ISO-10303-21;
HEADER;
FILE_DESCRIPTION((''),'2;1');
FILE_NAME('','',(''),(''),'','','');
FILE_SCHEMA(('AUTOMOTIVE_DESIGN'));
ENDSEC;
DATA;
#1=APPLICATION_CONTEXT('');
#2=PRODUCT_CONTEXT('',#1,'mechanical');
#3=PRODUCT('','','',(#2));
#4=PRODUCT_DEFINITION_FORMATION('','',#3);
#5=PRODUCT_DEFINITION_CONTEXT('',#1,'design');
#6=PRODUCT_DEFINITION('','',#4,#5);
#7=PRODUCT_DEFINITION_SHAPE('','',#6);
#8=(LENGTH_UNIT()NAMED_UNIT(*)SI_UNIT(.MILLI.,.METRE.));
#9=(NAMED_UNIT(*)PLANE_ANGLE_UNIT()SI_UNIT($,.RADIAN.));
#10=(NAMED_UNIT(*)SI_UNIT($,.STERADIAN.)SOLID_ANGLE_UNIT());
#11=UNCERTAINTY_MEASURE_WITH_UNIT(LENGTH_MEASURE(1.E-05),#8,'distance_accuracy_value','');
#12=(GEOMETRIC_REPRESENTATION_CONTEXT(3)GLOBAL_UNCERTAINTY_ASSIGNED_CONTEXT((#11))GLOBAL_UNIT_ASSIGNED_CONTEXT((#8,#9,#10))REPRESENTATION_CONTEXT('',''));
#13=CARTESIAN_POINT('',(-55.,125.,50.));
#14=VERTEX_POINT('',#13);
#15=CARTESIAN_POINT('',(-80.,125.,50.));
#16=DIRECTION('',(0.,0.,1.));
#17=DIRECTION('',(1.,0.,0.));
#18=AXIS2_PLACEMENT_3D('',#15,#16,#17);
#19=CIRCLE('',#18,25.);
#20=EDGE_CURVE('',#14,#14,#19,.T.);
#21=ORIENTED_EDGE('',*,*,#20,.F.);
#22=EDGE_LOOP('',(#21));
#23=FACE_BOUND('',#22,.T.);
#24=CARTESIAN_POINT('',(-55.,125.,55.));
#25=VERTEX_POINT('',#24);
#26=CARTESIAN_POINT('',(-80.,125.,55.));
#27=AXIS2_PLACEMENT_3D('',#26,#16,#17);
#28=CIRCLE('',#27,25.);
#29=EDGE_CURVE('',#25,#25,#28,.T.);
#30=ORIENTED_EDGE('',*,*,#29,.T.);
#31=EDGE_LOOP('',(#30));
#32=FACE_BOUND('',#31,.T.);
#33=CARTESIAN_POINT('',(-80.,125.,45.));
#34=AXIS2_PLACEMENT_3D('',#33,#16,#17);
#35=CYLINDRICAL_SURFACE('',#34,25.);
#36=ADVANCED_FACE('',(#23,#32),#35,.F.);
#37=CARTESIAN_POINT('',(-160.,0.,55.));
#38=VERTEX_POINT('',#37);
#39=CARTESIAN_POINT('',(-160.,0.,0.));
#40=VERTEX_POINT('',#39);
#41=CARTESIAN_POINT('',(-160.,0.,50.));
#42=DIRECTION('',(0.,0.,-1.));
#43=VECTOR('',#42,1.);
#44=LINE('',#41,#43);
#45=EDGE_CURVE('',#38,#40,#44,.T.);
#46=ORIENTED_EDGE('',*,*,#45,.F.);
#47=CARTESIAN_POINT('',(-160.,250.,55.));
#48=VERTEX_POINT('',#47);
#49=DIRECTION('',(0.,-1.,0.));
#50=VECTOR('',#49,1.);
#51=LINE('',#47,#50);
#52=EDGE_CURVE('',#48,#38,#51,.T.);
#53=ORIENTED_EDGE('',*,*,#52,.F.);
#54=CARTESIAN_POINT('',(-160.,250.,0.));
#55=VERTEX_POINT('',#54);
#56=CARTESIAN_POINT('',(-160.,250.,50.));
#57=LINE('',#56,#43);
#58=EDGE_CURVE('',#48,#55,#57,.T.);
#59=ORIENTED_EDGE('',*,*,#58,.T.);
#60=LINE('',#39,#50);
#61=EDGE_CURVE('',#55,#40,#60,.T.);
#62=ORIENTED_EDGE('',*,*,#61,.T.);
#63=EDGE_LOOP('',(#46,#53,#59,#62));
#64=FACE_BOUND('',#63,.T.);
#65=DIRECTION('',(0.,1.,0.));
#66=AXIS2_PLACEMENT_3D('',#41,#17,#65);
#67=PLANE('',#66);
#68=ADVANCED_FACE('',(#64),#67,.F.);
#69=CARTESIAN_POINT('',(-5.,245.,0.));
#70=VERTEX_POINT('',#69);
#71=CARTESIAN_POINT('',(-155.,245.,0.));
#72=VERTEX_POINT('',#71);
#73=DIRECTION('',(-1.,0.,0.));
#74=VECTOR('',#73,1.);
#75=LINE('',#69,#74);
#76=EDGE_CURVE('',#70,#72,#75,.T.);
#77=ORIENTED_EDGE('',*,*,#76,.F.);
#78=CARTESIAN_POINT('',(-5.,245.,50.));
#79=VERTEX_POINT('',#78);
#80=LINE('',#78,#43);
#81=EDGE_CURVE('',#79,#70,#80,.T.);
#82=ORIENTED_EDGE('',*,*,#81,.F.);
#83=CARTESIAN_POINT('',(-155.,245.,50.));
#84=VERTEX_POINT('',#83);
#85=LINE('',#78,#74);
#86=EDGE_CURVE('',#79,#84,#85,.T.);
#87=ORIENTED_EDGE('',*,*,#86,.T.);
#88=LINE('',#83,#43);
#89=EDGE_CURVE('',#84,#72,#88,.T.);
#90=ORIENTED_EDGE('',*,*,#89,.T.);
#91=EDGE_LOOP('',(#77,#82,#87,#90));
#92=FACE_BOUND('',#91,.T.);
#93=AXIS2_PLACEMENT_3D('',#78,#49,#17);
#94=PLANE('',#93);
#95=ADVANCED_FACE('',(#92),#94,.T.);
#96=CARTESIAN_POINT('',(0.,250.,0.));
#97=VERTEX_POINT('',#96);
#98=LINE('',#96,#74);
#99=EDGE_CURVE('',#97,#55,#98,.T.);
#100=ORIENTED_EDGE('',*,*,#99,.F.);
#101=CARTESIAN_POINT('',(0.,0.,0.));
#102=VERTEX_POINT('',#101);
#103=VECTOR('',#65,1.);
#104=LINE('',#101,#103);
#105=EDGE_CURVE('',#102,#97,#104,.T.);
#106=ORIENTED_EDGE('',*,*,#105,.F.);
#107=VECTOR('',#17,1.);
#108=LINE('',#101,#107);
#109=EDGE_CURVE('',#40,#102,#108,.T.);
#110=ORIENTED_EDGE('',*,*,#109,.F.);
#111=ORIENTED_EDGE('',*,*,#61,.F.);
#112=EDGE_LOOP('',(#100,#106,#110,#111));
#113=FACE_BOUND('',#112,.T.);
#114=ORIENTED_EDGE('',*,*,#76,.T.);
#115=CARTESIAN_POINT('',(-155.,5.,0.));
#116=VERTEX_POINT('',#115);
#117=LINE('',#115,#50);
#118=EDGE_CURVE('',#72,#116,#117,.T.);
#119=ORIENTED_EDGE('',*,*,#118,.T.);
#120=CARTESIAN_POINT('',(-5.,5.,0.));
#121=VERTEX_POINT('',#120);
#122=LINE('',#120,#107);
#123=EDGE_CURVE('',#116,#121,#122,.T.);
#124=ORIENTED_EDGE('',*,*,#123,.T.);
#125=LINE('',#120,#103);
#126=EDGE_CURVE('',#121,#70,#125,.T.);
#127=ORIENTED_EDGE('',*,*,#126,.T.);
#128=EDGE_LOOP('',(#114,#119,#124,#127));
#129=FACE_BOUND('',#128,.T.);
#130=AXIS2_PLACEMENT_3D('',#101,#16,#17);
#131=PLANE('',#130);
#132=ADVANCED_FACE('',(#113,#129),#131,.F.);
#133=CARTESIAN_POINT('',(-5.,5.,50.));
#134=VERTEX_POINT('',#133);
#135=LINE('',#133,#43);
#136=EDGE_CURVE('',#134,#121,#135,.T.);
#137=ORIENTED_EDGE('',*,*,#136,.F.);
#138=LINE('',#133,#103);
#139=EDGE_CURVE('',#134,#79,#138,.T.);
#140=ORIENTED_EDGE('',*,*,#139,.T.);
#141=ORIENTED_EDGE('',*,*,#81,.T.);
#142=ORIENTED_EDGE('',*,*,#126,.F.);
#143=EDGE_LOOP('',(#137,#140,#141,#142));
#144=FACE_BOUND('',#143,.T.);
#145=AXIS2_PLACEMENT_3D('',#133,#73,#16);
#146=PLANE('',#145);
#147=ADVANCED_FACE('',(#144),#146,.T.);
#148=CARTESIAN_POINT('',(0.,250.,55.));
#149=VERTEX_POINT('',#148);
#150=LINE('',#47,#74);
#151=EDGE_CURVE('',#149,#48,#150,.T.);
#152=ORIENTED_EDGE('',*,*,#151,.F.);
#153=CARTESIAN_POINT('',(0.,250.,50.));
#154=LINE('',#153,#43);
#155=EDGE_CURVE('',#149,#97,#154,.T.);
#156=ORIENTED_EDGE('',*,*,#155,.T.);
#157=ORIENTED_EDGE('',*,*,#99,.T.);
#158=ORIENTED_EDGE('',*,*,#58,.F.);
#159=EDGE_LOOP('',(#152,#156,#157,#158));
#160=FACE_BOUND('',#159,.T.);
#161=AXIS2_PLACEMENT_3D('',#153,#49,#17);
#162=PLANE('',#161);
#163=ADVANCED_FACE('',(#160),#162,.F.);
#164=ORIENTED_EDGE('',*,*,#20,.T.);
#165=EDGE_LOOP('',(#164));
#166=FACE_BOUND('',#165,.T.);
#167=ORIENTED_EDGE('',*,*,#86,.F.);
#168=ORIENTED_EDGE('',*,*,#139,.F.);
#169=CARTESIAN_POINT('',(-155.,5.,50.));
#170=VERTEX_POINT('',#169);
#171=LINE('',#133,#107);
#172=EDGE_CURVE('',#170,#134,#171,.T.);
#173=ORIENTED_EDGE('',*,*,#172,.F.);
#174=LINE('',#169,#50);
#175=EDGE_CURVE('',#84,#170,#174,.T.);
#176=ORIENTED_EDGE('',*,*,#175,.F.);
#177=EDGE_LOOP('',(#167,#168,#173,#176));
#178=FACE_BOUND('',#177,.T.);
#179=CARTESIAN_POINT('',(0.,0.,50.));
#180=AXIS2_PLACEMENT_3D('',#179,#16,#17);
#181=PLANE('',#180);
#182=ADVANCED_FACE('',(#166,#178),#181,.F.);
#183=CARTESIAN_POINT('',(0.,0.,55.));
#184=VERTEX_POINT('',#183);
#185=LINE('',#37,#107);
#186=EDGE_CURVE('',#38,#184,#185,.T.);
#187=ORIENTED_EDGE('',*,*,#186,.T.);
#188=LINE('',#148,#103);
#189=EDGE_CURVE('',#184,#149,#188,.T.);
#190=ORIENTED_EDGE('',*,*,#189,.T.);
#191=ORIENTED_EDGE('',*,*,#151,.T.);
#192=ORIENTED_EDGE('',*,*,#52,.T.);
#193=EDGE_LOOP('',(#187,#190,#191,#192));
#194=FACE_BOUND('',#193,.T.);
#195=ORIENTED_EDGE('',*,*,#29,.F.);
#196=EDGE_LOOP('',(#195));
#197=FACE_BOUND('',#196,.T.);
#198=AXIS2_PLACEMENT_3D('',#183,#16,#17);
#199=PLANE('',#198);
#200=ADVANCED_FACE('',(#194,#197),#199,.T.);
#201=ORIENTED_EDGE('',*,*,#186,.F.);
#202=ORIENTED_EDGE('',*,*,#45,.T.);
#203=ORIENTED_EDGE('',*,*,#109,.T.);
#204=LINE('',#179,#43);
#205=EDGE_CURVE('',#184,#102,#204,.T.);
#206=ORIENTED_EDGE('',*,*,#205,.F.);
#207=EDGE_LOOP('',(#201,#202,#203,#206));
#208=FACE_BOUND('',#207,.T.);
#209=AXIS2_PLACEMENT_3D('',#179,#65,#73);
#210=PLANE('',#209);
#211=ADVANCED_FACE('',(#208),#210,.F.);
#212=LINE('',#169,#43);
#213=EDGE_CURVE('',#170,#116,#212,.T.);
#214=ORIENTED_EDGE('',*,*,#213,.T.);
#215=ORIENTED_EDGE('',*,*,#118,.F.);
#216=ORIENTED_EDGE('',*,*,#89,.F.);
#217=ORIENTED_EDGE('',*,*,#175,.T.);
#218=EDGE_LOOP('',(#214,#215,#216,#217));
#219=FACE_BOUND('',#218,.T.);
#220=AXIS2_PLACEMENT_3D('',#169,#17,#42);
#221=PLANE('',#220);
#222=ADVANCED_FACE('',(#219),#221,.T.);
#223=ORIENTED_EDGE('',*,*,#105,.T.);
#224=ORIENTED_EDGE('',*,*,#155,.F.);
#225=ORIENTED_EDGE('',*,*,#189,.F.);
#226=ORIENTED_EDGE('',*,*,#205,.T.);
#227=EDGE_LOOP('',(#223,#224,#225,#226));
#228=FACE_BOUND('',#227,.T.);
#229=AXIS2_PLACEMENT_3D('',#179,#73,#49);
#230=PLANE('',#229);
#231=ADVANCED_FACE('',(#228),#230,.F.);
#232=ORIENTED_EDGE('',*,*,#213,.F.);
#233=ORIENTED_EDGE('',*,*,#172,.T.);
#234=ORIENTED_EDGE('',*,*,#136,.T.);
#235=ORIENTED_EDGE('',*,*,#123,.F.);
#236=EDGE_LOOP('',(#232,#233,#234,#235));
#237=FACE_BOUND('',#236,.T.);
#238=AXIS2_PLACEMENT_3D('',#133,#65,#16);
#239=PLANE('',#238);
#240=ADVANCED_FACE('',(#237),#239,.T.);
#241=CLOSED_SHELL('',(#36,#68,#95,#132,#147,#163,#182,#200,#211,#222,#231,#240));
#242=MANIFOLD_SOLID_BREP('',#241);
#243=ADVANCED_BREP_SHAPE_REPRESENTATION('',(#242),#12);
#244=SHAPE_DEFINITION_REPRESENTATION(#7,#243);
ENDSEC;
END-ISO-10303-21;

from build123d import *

# Parameters (mm, degrees)
ESQUISSE1_W             = 160
ESQUISSE1_H             = 250
ESQUISSE1_W_2           = 150
ESQUISSE1_H_2           = 240
BOSS_EXTRU_1_DEPTH      = 50
ESQUISSE2_W             = 160
ESQUISSE2_H             = 250
BOSS_EXTRU_2_DEPTH      = 5
ESQUISSE4_R             = 25
ENL_V_MAT_EXTRU_1_DEPTH = 10


with BuildPart() as part:
    # Esquisse1 → Boss.-Extru.1 (new body)
    with BuildSketch(Plane.XY):
        with Locations((-80, 125)):
            Rectangle(ESQUISSE1_W, ESQUISSE1_H)
        with Locations((-80, 125)):
            Rectangle(ESQUISSE1_W_2, ESQUISSE1_H_2, mode=Mode.SUBTRACT)
    extrude(amount=BOSS_EXTRU_1_DEPTH)

    # Esquisse2 → Boss.-Extru.2 (add)
    with BuildSketch(Plane.XY.offset(50)):
        with Locations((-80, 125)):
            Rectangle(ESQUISSE2_W, ESQUISSE2_H)
    extrude(amount=BOSS_EXTRU_2_DEPTH)

    # Esquisse4 → Enlèv. mat.-Extru.1 (cut)
    with BuildSketch(Plane.XY.offset(55)):
        with Locations((-80, 125)):
            Circle(ESQUISSE4_R)
    extrude(amount=-ENL_V_MAT_EXTRU_1_DEPTH, mode=Mode.SUBTRACT)


solid = part.part
